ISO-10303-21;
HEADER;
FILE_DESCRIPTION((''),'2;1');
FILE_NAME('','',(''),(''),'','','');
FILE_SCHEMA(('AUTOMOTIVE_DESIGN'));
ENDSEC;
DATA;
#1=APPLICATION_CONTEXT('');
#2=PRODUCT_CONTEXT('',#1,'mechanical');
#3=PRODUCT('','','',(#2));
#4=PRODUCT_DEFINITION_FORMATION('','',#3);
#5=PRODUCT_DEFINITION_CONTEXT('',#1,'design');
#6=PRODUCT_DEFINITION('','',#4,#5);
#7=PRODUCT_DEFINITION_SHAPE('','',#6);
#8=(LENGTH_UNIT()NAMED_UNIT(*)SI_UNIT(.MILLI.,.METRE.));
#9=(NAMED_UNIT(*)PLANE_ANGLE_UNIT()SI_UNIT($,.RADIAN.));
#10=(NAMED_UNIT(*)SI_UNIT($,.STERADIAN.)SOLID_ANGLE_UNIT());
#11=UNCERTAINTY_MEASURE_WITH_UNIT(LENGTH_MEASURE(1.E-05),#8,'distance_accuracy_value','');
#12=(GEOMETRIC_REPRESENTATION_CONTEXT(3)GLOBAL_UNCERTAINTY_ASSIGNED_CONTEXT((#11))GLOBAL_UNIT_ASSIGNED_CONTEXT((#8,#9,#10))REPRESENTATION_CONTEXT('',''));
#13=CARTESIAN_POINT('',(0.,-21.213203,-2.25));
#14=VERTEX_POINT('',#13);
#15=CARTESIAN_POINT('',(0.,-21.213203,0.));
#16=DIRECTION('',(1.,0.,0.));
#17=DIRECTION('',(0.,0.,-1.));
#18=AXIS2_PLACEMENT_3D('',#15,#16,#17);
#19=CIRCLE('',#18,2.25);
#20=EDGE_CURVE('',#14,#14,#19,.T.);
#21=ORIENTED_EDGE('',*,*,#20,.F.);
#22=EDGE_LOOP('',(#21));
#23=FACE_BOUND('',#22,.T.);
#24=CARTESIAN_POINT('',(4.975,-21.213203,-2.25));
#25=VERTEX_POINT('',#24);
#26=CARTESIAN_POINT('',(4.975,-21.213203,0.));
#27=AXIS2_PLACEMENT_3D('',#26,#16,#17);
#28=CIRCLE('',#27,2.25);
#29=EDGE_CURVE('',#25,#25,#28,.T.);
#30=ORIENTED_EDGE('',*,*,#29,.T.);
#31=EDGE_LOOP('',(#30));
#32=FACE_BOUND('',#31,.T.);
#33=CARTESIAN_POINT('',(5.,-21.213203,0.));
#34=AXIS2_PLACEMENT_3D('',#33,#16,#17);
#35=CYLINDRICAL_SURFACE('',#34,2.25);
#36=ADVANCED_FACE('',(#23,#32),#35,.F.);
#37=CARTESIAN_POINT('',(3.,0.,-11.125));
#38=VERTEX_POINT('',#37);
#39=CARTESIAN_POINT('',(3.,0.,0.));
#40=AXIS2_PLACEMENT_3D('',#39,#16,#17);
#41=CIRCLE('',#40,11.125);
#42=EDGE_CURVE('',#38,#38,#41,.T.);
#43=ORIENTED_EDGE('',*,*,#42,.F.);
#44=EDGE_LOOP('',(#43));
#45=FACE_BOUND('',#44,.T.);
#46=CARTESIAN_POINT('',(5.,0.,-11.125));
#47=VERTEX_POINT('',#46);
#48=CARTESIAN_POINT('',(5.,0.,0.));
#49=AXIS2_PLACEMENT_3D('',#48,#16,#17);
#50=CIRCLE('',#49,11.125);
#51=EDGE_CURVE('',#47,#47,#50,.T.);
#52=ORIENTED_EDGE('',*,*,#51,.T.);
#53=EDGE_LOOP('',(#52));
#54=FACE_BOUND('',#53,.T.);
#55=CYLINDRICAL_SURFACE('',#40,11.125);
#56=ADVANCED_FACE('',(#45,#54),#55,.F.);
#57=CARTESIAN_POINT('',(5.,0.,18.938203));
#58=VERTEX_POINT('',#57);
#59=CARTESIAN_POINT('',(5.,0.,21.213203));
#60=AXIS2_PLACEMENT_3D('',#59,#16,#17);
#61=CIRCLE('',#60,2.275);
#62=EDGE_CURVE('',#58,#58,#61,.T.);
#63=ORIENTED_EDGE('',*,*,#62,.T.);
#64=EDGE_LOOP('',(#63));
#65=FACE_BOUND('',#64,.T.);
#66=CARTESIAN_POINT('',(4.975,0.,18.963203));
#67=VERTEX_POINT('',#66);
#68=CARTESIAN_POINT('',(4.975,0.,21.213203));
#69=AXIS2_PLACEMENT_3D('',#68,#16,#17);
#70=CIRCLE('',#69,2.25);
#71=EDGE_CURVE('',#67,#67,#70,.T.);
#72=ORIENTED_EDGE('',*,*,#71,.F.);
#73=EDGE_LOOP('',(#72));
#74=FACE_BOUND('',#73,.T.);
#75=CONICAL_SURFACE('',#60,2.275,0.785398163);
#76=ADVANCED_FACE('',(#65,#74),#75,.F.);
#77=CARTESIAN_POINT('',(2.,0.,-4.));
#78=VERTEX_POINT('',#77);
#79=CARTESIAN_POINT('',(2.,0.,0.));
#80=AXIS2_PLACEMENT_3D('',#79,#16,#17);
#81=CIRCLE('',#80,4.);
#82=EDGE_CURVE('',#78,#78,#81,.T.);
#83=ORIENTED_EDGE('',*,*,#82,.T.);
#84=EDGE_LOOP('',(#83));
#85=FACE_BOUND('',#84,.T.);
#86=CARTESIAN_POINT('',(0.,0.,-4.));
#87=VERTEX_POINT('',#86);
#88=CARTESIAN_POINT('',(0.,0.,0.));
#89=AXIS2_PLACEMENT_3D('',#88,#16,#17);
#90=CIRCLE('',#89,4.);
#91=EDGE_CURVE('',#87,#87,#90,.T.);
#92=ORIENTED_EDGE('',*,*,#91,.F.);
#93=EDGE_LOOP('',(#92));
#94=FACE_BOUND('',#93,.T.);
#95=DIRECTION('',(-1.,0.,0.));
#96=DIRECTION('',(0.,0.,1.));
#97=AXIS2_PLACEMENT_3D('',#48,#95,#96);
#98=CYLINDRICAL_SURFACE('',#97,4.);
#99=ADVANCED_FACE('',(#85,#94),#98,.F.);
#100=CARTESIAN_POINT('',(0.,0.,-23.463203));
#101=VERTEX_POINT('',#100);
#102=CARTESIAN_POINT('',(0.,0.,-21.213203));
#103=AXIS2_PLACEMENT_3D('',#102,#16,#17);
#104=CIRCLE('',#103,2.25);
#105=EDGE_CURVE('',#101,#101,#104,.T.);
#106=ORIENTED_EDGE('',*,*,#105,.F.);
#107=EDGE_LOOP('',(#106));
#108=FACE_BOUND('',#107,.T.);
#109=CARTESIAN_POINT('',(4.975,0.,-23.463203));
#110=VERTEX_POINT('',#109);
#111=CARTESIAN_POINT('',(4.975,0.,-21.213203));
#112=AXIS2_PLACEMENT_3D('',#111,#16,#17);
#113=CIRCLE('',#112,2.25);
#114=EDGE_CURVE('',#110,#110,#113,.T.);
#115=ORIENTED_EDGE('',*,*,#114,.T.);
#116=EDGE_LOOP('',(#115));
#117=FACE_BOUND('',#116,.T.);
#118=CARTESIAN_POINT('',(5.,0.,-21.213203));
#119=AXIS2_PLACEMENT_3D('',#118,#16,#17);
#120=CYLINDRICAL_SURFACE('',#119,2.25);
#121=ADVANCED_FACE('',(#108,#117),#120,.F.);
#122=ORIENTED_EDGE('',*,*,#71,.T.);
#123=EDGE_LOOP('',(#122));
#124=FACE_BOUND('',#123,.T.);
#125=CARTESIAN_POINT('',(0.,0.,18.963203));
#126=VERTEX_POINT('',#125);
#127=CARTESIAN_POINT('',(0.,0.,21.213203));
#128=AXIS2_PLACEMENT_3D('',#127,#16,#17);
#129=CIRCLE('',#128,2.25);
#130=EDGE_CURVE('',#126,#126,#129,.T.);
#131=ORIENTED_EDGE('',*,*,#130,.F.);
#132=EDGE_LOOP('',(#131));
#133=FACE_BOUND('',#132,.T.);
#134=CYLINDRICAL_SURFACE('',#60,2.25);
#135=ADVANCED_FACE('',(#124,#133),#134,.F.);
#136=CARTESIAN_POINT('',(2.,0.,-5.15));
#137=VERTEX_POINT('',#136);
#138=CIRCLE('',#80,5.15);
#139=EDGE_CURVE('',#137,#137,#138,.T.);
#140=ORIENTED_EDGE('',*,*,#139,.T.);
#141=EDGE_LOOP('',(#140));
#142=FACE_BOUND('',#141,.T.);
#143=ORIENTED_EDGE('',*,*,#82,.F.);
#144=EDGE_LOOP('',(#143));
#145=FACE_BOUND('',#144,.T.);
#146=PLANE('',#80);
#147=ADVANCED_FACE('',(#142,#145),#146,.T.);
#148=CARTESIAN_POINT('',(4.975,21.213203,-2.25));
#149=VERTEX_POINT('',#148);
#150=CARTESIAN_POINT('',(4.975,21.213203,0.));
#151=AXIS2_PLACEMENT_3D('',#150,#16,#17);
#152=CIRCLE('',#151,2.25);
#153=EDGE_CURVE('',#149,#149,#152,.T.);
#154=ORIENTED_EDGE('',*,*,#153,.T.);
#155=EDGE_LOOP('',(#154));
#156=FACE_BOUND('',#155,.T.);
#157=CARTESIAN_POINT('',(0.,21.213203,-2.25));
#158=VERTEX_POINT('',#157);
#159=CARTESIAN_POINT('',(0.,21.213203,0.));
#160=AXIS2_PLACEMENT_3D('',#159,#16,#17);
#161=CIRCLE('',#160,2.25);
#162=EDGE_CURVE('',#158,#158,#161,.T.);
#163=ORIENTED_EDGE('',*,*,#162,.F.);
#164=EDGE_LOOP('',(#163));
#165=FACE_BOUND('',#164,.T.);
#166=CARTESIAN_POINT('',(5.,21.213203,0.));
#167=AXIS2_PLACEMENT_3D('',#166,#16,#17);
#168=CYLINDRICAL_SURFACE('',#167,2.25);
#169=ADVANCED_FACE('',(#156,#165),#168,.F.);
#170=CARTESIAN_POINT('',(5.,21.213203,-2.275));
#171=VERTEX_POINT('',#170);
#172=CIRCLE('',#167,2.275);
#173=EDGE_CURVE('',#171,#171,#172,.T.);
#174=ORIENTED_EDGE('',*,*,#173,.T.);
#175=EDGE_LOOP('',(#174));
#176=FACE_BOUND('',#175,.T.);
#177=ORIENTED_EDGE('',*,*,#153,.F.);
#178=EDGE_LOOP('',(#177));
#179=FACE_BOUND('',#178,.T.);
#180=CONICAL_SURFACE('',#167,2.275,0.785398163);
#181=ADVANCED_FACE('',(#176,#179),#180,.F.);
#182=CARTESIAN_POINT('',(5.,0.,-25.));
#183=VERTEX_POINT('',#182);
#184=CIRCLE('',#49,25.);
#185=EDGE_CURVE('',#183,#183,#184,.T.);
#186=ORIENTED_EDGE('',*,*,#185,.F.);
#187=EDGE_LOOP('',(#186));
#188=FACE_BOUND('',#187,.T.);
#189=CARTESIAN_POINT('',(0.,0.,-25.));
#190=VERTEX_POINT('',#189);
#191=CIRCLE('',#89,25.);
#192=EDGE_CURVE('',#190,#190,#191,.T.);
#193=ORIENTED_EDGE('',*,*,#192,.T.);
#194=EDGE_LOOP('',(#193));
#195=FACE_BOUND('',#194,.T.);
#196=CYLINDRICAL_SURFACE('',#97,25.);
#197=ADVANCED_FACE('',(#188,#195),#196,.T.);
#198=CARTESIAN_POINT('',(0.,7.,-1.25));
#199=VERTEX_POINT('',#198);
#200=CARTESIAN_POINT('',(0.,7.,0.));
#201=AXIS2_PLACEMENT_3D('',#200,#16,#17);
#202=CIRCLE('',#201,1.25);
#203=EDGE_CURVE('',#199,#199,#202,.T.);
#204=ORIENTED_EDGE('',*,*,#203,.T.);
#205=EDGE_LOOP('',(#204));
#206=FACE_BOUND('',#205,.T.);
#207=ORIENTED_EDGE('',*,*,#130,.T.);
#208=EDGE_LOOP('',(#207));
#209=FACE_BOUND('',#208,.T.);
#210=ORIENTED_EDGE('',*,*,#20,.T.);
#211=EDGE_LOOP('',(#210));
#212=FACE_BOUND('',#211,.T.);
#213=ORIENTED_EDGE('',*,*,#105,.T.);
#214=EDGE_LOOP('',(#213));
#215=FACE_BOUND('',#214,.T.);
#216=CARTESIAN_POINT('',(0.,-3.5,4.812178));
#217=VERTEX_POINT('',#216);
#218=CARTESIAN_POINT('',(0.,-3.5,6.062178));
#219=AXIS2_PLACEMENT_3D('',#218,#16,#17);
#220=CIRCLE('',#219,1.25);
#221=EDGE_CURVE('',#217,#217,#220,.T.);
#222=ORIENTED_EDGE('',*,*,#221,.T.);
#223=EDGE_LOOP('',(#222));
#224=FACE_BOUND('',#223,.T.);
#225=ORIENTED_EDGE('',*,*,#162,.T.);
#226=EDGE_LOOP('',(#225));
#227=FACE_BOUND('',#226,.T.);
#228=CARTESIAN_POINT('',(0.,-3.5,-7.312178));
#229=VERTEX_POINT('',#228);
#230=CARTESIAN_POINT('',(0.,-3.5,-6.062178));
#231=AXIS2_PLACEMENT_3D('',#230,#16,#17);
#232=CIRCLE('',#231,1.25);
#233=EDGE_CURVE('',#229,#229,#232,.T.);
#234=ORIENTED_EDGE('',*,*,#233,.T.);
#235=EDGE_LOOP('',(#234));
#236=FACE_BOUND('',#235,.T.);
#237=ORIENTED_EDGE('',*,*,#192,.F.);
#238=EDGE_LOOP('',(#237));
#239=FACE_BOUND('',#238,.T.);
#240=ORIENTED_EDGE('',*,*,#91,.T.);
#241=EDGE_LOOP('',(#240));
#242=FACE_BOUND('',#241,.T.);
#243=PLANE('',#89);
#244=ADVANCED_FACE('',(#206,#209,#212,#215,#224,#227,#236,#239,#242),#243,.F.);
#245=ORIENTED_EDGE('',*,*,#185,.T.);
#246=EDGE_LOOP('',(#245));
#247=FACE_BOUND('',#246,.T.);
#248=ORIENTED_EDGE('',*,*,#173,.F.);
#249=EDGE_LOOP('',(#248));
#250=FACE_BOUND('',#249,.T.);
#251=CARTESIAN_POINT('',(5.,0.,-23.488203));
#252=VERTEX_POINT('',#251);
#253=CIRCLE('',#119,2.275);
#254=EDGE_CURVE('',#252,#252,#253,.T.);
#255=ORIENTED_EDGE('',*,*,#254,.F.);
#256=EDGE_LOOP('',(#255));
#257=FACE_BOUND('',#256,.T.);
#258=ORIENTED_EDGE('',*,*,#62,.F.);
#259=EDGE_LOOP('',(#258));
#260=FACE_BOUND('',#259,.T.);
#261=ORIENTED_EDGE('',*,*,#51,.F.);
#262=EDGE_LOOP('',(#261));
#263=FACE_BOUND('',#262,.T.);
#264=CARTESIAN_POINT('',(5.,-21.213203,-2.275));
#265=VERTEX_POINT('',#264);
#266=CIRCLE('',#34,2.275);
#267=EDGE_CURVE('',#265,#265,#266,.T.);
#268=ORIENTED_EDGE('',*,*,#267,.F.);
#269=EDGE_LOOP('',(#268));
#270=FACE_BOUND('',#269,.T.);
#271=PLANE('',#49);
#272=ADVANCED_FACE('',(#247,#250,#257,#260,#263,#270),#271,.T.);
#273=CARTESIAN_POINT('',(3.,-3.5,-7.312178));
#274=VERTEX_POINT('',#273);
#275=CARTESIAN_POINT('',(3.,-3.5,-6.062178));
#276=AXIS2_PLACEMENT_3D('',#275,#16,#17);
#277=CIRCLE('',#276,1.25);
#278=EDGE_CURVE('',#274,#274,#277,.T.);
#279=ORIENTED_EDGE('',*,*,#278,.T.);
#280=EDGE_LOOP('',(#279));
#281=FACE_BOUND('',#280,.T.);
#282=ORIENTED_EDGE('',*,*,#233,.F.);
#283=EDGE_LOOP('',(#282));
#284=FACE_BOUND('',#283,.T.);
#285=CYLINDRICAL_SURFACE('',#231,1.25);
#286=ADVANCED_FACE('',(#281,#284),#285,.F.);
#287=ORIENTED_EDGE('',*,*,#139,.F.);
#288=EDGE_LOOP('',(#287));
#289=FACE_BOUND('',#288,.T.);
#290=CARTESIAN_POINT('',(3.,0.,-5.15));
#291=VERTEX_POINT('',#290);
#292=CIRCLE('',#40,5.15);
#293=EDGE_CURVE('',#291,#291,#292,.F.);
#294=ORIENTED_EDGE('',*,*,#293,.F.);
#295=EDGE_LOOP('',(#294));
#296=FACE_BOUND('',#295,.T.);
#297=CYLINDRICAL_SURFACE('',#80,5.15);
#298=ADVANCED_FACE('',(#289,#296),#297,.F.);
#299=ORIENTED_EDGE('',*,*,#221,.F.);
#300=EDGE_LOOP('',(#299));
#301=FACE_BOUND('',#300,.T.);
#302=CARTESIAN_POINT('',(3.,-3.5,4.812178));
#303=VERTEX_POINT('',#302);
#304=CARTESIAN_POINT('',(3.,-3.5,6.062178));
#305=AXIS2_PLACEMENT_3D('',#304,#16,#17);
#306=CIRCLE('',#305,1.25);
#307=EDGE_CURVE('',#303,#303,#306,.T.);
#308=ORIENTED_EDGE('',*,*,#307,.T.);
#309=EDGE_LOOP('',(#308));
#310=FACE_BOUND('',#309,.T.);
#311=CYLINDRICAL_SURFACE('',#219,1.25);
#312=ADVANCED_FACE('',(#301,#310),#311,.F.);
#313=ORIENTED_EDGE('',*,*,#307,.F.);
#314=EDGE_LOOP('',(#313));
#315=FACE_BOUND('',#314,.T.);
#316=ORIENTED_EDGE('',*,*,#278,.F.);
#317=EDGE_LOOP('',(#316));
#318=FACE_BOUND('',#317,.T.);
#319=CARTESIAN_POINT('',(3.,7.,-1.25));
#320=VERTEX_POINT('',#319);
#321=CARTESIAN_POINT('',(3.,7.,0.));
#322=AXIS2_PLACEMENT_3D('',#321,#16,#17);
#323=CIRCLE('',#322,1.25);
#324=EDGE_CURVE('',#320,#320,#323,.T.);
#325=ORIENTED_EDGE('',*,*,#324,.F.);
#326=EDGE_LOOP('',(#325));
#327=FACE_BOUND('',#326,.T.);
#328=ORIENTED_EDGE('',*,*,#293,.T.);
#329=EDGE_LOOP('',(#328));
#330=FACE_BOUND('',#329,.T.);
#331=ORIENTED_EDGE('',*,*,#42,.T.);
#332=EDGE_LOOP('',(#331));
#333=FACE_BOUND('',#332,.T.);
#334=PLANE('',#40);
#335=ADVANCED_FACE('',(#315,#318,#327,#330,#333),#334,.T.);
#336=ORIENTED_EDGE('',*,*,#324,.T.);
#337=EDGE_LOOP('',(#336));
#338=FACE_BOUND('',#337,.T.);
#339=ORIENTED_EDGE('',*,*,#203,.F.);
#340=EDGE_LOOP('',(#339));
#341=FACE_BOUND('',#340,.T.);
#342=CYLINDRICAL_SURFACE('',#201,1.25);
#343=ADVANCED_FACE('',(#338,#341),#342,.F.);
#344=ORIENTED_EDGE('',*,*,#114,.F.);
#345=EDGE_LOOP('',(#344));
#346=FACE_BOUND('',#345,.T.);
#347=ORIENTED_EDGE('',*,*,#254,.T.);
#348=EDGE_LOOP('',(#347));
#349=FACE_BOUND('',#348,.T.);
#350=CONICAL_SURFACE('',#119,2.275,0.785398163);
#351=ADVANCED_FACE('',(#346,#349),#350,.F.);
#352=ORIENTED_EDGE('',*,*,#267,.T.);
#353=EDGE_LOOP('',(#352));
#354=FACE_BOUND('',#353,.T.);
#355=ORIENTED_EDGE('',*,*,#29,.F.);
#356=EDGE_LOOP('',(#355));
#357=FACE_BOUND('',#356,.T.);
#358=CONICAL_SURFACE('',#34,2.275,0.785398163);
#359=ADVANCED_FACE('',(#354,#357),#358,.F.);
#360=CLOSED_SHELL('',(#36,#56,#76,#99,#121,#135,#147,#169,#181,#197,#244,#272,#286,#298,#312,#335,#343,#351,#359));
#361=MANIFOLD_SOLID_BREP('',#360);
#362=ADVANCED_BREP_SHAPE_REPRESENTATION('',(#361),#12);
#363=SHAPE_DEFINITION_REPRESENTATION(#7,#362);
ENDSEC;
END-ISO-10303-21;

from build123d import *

# Parameters (mm, degrees)
SKETCH1_R                      = 25
SKETCH1_R_2                    = 4
BOSS_EXTRUDE1_DEPTH            = 5
SKETCH2_R                      = 5.15
CUT_EXTRUDE1_DEPTH             = 3
SKETCH3_R                      = 11.125
CUT_EXTRUDE2_DEPTH             = 2
SKETCH4_R                      = 1.25
CUT_EXTRUDE3_DEPTH             = 4
M4_CLEARANCE_HOLE1_D           = 4.5
M4_CLEARANCE_HOLE1_DEPTH       = 7.6
M4_CLEARANCE_HOLE1_CSINK_D     = 4.55
M4_CLEARANCE_HOLE1_CSINK_ANGLE = 90
M4_CLEARANCE_HOLE1_TIP         = 1.351936393


with BuildPart() as part:
    # Sketch1 → Boss-Extrude1 (new body)
    with BuildSketch(Plane(origin=(0, 0, 0), x_dir=(0, 0, -1), z_dir=(1, 0, 0))):
        Circle(SKETCH1_R)
        Circle(SKETCH1_R_2, mode=Mode.SUBTRACT)
    extrude(amount=BOSS_EXTRUDE1_DEPTH)

    # Sketch2 → Cut-Extrude1 (cut)
    with BuildSketch(Plane(origin=(5, 0, 0), x_dir=(0, 0, -1), z_dir=(1, 0, 0))):
        Circle(SKETCH2_R)
    extrude(amount=-CUT_EXTRUDE1_DEPTH, mode=Mode.SUBTRACT)

    # Sketch3 → Cut-Extrude2 (cut)
    with BuildSketch(Plane(origin=(5, 0, 0), x_dir=(0, 0, -1), z_dir=(1, 0, 0))):
        Circle(SKETCH3_R)
    extrude(amount=-CUT_EXTRUDE2_DEPTH, mode=Mode.SUBTRACT)

    # Sketch4 → Cut-Extrude3 (cut, through all)
    with BuildSketch(Plane(origin=(3, 0, 0), x_dir=(0, 0, -1), z_dir=(1, 0, 0))):
        with Locations((0, 7)):
            Circle(SKETCH4_R)
        with Locations((6.062177826, -3.5)):
            Circle(SKETCH4_R)
        with Locations((-6.062177826, -3.5)):
            Circle(SKETCH4_R)
    extrude(amount=-CUT_EXTRUDE3_DEPTH, mode=Mode.SUBTRACT)

    # M4 Clearance Hole1
    with Locations(Plane(origin=(5, 0, 0), x_dir=(0, 0, -1), z_dir=(1, 0, 0))):
        with Locations((0, 21.213203436), (21.213203436, 0), (-21.213203436, 0), (0, -21.213203436)):
            CounterSinkHole(M4_CLEARANCE_HOLE1_D / 2, M4_CLEARANCE_HOLE1_CSINK_D / 2, depth=M4_CLEARANCE_HOLE1_DEPTH, counter_sink_angle=M4_CLEARANCE_HOLE1_CSINK_ANGLE)
            with Locations((0, 0, -(M4_CLEARANCE_HOLE1_DEPTH + M4_CLEARANCE_HOLE1_TIP / 2))):  # 118° drill point
                Cone(0, M4_CLEARANCE_HOLE1_D / 2, M4_CLEARANCE_HOLE1_TIP, mode=Mode.SUBTRACT)


solid = part.part
